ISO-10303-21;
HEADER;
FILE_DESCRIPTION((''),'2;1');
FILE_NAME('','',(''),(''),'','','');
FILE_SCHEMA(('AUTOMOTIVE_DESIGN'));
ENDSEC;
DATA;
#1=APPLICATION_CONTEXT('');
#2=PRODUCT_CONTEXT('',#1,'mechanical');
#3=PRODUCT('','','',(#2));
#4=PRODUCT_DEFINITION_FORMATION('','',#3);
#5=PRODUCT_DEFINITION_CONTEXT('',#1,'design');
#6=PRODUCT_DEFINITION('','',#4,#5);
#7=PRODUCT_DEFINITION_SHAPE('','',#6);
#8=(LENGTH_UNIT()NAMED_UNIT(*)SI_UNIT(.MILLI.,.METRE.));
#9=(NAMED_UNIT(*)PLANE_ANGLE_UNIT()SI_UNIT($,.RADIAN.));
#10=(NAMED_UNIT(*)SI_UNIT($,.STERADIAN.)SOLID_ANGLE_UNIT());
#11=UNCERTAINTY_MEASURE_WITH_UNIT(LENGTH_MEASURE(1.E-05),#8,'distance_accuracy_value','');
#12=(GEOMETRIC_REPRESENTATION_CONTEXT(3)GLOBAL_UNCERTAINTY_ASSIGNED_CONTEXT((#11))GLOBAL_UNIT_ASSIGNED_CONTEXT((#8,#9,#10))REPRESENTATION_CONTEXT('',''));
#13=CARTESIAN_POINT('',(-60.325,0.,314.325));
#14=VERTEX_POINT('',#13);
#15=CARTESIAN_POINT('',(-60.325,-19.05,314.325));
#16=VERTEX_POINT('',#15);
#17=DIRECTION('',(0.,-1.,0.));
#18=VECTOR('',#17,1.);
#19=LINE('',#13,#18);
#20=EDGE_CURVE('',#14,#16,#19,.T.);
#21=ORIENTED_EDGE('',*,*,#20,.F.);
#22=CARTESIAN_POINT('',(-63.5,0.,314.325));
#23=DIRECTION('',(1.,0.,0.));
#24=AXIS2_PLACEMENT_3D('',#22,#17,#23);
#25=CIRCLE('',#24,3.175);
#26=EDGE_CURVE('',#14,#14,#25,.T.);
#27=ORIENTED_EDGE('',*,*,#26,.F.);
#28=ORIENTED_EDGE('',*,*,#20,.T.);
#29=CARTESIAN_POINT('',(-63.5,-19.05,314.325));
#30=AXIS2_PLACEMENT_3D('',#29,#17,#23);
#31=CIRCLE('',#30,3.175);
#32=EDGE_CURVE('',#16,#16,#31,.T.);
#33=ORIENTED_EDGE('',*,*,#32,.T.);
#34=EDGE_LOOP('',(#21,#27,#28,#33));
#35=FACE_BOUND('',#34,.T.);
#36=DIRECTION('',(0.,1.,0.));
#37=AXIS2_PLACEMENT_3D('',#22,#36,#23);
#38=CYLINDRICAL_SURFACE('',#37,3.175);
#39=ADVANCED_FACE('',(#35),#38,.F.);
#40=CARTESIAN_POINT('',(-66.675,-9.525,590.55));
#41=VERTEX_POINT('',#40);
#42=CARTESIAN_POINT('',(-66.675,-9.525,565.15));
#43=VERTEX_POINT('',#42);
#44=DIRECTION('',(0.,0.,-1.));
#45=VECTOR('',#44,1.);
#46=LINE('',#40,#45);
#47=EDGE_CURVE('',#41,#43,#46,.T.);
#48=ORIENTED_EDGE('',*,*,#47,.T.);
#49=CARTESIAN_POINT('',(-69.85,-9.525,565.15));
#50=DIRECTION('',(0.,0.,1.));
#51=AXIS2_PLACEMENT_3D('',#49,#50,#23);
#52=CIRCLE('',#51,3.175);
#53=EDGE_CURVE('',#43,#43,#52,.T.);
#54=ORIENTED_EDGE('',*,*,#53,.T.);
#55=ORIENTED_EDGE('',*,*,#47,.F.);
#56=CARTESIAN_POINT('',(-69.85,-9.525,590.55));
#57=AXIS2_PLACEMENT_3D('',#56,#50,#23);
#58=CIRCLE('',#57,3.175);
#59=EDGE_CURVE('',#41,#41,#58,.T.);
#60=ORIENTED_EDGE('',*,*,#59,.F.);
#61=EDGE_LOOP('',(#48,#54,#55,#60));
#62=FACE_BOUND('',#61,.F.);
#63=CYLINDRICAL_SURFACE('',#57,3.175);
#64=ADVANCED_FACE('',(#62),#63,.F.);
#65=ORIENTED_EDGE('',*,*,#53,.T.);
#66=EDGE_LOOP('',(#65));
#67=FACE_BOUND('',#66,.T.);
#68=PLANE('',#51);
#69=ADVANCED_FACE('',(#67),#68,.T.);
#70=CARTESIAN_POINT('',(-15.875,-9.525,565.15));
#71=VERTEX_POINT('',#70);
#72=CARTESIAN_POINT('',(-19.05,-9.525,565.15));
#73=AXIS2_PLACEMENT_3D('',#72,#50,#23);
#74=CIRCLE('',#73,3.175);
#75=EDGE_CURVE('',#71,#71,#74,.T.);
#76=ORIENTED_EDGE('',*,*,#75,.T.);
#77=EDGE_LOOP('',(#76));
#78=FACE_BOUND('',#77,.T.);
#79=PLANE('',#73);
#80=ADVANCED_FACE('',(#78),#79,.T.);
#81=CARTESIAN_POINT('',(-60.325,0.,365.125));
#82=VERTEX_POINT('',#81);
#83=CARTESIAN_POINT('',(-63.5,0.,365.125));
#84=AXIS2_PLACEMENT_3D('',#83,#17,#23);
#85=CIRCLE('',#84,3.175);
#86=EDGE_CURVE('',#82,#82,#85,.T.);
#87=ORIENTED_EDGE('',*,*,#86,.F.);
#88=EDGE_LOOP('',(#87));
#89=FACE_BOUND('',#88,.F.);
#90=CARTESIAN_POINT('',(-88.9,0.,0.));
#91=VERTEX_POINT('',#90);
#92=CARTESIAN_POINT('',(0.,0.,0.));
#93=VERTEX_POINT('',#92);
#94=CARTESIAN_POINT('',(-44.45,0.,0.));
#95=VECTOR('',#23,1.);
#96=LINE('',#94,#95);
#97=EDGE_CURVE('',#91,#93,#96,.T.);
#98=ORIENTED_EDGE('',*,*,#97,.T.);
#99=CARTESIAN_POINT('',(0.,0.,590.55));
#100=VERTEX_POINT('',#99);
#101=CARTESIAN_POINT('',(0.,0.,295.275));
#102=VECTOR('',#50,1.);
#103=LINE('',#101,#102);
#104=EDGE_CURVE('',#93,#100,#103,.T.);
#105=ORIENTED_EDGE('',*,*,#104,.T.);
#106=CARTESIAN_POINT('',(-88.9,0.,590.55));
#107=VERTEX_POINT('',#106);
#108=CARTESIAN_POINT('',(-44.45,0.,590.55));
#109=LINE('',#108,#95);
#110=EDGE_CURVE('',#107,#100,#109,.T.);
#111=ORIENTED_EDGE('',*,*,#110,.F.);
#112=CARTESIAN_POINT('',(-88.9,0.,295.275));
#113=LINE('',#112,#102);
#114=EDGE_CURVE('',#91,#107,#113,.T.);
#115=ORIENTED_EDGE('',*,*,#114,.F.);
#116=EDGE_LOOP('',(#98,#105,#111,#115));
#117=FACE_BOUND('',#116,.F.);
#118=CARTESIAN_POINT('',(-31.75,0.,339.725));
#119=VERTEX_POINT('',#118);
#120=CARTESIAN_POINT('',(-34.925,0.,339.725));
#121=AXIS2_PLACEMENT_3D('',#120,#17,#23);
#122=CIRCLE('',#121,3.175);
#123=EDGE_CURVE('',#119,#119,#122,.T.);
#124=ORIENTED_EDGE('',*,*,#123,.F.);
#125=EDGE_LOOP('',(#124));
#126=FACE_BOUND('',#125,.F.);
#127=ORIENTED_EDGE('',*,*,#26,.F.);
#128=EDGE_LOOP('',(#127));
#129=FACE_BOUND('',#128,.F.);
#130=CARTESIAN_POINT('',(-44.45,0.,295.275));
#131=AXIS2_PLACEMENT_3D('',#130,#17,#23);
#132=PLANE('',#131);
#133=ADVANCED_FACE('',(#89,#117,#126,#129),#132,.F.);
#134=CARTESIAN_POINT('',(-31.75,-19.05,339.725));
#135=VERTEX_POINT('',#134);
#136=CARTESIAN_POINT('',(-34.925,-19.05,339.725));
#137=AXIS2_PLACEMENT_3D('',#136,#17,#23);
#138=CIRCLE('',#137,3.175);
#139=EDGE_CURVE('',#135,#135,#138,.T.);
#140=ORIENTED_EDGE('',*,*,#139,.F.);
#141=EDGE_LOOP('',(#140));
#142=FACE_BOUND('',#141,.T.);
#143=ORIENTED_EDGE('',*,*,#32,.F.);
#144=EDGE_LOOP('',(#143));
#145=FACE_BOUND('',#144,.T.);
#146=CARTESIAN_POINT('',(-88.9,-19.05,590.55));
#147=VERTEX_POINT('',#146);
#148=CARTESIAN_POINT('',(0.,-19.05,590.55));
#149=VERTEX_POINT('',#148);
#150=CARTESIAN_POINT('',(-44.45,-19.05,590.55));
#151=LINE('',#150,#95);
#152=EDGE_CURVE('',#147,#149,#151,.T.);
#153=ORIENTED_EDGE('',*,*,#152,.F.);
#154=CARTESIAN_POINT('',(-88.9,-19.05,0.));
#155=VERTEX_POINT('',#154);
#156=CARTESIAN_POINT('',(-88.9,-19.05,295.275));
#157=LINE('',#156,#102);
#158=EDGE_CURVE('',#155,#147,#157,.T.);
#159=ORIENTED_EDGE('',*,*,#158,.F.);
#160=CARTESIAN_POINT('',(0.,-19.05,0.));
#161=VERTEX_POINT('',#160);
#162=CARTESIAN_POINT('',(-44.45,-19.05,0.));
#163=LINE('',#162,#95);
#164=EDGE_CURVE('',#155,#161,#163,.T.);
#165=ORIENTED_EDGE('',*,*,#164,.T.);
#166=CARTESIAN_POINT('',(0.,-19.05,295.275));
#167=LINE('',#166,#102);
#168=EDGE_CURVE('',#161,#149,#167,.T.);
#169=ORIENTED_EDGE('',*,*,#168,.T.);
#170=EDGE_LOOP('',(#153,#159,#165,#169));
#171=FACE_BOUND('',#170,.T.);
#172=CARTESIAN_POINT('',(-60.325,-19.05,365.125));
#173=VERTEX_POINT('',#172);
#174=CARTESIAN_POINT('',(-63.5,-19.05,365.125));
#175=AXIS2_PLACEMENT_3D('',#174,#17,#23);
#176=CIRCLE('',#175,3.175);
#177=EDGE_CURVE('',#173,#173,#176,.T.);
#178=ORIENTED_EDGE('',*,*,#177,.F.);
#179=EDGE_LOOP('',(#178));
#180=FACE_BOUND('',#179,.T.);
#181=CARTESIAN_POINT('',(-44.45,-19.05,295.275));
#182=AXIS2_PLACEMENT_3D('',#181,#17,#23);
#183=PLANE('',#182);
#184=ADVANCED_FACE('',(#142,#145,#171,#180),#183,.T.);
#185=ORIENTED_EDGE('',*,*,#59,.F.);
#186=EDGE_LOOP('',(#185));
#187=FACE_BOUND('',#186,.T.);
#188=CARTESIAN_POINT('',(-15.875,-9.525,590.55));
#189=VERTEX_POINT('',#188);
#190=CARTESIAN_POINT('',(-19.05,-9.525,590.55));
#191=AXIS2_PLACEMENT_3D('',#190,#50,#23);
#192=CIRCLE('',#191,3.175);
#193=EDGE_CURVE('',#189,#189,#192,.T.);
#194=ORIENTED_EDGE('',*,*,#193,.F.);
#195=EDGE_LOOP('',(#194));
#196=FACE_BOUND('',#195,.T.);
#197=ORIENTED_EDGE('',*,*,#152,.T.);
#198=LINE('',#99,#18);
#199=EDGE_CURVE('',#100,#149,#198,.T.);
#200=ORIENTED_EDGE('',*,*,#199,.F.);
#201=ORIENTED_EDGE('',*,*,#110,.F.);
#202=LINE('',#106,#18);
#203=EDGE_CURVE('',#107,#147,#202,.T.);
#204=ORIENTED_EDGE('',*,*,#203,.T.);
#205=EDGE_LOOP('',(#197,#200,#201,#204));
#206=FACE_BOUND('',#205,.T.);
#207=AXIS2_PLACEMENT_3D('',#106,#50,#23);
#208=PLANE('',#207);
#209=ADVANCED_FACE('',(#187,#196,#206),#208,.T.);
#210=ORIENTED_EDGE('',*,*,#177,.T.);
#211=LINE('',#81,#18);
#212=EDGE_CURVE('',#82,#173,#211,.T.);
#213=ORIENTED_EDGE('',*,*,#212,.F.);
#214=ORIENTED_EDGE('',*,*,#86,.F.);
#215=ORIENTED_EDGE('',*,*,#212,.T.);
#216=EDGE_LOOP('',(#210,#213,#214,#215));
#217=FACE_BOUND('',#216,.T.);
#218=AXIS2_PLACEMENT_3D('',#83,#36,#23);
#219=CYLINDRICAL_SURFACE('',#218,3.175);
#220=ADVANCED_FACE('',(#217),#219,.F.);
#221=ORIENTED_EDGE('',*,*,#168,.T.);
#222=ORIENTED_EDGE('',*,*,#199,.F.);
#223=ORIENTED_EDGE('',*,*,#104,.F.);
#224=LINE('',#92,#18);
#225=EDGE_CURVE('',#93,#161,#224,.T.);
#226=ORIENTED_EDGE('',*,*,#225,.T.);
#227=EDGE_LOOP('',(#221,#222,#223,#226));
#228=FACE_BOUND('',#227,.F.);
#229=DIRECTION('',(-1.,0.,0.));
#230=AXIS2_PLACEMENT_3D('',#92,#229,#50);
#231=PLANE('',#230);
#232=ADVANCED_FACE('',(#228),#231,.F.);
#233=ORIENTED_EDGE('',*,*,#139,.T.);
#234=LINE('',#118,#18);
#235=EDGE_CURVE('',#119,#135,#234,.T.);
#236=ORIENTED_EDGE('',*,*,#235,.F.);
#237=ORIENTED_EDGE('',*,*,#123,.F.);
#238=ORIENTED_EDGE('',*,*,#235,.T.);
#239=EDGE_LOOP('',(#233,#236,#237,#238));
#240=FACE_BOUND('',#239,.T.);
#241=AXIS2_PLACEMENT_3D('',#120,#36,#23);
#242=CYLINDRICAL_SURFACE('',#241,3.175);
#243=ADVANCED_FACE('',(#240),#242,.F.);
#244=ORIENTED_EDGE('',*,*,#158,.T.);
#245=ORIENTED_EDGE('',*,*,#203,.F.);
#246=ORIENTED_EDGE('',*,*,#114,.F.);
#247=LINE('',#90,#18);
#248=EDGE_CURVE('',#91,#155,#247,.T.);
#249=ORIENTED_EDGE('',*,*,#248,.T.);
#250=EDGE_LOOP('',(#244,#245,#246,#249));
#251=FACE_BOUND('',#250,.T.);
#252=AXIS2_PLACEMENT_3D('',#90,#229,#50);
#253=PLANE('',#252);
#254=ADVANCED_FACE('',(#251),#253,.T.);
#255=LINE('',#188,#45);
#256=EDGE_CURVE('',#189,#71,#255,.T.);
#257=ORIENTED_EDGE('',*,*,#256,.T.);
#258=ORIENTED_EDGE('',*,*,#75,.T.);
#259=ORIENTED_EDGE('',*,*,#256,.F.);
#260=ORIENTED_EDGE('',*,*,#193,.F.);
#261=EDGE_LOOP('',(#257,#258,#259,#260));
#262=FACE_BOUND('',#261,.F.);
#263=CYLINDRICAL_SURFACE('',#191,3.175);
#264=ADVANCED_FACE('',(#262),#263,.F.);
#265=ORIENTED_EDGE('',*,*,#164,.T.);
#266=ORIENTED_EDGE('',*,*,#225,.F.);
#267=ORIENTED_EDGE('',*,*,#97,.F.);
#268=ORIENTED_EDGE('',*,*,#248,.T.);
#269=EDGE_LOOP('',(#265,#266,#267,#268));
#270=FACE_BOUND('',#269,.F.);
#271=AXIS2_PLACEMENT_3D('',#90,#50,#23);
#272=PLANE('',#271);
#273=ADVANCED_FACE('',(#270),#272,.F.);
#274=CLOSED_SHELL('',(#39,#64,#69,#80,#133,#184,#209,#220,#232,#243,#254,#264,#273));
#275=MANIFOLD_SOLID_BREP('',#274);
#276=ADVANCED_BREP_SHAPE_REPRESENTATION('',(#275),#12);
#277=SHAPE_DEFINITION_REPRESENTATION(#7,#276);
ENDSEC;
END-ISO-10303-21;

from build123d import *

# Parameters (mm, degrees)
F0_W     = 88.9
F0_H     = 590.55
F0_R     = 3.175
F1_DEPTH = 19.05
F2_R     = 3.175
F3_DEPTH = 25.4


with BuildPart() as f1:
    # F0 (on Front) → F1 (new body)
    with BuildSketch(Plane.XZ):
        with Locations((-44.45, 295.275)):
            Rectangle(F0_W, F0_H)
        with Locations((-63.5, 314.325)):
            Circle(F0_R, mode=Mode.SUBTRACT)
        with Locations((-63.5, 365.125)):
            Circle(F0_R, mode=Mode.SUBTRACT)
        with Locations((-34.925, 339.725)):
            Circle(F0_R, mode=Mode.SUBTRACT)
    extrude(amount=F1_DEPTH)

    # F2 (on face) → F3 (cut)
    with BuildSketch(Plane.XY.offset(590.55)):
        with Locations((-69.85, -9.525)):
            Circle(F2_R)
        with Locations((-19.05, -9.525)):
            Circle(F2_R)
    extrude(amount=-F3_DEPTH, mode=Mode.SUBTRACT)


solid = f1.part
